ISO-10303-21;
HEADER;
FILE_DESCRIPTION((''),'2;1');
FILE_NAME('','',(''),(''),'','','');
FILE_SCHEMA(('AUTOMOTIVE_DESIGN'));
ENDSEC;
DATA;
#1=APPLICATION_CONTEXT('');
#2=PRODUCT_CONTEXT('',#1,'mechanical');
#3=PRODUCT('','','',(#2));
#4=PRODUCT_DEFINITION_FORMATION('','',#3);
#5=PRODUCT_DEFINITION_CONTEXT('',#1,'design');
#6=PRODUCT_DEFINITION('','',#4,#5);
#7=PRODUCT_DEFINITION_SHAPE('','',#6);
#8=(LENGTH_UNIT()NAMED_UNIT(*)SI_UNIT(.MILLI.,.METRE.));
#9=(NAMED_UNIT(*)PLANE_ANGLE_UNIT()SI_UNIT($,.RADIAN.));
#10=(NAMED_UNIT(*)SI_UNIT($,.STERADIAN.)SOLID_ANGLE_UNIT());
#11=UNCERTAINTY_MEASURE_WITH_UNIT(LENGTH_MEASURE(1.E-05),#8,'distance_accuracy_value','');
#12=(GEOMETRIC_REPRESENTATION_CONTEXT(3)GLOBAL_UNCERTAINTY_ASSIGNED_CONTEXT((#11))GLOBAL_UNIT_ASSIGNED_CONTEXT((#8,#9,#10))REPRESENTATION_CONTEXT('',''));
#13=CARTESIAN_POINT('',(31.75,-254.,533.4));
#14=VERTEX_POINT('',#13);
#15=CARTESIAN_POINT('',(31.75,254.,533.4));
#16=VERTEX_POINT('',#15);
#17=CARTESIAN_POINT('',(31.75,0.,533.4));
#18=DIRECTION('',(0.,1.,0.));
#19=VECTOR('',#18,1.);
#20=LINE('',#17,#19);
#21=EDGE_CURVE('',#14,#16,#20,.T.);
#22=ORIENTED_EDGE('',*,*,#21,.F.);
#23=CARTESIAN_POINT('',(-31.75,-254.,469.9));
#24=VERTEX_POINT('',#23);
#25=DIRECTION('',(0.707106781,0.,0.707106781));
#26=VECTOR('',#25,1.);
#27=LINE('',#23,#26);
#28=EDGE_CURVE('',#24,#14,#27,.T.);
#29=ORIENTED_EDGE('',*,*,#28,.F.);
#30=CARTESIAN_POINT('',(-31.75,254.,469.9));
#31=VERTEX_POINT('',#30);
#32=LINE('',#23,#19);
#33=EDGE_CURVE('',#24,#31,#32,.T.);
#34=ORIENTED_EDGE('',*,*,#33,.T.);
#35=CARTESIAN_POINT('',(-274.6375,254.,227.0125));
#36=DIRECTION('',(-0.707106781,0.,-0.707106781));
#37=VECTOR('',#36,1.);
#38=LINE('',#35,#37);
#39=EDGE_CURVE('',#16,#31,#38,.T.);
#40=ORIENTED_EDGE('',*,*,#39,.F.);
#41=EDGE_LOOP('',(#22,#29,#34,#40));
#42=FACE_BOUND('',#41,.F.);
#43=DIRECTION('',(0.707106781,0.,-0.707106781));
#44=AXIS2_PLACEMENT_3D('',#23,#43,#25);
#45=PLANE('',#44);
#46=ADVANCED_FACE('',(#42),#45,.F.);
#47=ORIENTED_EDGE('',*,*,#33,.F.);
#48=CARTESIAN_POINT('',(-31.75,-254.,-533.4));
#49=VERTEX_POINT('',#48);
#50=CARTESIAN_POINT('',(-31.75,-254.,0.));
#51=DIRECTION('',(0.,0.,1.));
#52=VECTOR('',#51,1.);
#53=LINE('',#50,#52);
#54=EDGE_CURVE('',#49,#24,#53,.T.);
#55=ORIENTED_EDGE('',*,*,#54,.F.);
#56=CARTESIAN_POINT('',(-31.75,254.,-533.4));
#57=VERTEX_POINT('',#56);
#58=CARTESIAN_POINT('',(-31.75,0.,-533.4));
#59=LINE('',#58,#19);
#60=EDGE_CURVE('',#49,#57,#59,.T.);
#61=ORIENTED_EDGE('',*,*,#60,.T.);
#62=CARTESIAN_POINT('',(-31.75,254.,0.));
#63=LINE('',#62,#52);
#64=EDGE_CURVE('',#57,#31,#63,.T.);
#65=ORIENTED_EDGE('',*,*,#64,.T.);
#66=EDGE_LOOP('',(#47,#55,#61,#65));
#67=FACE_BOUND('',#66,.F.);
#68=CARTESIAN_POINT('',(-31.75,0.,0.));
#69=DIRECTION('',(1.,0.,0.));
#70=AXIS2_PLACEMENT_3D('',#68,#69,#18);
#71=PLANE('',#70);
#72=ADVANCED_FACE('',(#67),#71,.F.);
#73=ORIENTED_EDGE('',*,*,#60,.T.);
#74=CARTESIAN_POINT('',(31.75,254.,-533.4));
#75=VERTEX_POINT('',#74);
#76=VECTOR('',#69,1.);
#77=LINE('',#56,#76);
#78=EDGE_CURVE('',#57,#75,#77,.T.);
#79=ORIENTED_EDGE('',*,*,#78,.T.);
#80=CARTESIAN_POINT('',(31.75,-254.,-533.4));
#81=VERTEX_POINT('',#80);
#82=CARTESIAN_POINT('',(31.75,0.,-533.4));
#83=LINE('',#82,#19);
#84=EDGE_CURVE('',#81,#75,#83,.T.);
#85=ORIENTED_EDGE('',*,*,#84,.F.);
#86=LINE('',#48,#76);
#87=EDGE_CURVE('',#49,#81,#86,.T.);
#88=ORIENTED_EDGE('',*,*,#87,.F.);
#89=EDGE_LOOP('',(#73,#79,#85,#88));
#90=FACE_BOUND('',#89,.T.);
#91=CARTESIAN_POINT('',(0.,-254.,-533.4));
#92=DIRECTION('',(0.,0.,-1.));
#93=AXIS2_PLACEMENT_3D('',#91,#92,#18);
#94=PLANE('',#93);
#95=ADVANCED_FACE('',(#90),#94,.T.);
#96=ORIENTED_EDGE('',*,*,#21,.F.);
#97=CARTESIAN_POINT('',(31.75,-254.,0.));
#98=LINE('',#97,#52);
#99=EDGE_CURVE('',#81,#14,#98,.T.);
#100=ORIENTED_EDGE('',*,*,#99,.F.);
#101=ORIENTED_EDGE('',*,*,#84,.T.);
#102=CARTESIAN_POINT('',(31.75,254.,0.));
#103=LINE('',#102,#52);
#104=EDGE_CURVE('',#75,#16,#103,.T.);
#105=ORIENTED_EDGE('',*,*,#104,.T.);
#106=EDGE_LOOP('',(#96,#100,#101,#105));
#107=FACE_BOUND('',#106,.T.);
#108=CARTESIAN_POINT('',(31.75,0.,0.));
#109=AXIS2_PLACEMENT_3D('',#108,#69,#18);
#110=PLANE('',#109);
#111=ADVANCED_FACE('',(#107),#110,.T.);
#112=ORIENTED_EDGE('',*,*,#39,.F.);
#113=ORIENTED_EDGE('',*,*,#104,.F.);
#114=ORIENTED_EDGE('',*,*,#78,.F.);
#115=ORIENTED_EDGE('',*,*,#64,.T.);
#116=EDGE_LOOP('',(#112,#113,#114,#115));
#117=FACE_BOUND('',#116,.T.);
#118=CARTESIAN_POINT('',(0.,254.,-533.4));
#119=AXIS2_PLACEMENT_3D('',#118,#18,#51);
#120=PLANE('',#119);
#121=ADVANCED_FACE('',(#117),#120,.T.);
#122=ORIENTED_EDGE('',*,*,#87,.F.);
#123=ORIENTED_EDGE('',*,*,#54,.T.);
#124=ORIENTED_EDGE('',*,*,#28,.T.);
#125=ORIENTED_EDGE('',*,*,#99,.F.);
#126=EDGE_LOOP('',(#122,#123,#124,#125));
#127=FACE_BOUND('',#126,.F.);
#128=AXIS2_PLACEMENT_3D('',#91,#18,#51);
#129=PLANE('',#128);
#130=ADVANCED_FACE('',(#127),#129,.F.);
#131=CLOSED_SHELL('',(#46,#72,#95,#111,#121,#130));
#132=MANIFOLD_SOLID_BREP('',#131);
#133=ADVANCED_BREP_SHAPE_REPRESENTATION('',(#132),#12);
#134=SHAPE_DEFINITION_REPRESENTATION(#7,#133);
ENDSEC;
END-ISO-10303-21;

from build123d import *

# Parameters (mm, degrees)
F0_W     = 508
F0_H     = 1066.8
F1_DEPTH = 31.75
F3_DEPTH = 508.001


with BuildPart() as f1:
    # F0 (on Right) → F1 (new body, symmetric)
    with BuildSketch(Plane.YZ):
        Rectangle(F0_W, F0_H)
    extrude(amount=F1_DEPTH, both=True)

    # F2 (on face) → F3 (cut, through all)
    with BuildSketch(Plane.XZ.offset(254)):
        Polygon((-31.75, 469.9), (31.75, 533.4), (-31.75, 533.4), align=None)
    extrude(amount=-F3_DEPTH, mode=Mode.SUBTRACT)


solid = f1.part
